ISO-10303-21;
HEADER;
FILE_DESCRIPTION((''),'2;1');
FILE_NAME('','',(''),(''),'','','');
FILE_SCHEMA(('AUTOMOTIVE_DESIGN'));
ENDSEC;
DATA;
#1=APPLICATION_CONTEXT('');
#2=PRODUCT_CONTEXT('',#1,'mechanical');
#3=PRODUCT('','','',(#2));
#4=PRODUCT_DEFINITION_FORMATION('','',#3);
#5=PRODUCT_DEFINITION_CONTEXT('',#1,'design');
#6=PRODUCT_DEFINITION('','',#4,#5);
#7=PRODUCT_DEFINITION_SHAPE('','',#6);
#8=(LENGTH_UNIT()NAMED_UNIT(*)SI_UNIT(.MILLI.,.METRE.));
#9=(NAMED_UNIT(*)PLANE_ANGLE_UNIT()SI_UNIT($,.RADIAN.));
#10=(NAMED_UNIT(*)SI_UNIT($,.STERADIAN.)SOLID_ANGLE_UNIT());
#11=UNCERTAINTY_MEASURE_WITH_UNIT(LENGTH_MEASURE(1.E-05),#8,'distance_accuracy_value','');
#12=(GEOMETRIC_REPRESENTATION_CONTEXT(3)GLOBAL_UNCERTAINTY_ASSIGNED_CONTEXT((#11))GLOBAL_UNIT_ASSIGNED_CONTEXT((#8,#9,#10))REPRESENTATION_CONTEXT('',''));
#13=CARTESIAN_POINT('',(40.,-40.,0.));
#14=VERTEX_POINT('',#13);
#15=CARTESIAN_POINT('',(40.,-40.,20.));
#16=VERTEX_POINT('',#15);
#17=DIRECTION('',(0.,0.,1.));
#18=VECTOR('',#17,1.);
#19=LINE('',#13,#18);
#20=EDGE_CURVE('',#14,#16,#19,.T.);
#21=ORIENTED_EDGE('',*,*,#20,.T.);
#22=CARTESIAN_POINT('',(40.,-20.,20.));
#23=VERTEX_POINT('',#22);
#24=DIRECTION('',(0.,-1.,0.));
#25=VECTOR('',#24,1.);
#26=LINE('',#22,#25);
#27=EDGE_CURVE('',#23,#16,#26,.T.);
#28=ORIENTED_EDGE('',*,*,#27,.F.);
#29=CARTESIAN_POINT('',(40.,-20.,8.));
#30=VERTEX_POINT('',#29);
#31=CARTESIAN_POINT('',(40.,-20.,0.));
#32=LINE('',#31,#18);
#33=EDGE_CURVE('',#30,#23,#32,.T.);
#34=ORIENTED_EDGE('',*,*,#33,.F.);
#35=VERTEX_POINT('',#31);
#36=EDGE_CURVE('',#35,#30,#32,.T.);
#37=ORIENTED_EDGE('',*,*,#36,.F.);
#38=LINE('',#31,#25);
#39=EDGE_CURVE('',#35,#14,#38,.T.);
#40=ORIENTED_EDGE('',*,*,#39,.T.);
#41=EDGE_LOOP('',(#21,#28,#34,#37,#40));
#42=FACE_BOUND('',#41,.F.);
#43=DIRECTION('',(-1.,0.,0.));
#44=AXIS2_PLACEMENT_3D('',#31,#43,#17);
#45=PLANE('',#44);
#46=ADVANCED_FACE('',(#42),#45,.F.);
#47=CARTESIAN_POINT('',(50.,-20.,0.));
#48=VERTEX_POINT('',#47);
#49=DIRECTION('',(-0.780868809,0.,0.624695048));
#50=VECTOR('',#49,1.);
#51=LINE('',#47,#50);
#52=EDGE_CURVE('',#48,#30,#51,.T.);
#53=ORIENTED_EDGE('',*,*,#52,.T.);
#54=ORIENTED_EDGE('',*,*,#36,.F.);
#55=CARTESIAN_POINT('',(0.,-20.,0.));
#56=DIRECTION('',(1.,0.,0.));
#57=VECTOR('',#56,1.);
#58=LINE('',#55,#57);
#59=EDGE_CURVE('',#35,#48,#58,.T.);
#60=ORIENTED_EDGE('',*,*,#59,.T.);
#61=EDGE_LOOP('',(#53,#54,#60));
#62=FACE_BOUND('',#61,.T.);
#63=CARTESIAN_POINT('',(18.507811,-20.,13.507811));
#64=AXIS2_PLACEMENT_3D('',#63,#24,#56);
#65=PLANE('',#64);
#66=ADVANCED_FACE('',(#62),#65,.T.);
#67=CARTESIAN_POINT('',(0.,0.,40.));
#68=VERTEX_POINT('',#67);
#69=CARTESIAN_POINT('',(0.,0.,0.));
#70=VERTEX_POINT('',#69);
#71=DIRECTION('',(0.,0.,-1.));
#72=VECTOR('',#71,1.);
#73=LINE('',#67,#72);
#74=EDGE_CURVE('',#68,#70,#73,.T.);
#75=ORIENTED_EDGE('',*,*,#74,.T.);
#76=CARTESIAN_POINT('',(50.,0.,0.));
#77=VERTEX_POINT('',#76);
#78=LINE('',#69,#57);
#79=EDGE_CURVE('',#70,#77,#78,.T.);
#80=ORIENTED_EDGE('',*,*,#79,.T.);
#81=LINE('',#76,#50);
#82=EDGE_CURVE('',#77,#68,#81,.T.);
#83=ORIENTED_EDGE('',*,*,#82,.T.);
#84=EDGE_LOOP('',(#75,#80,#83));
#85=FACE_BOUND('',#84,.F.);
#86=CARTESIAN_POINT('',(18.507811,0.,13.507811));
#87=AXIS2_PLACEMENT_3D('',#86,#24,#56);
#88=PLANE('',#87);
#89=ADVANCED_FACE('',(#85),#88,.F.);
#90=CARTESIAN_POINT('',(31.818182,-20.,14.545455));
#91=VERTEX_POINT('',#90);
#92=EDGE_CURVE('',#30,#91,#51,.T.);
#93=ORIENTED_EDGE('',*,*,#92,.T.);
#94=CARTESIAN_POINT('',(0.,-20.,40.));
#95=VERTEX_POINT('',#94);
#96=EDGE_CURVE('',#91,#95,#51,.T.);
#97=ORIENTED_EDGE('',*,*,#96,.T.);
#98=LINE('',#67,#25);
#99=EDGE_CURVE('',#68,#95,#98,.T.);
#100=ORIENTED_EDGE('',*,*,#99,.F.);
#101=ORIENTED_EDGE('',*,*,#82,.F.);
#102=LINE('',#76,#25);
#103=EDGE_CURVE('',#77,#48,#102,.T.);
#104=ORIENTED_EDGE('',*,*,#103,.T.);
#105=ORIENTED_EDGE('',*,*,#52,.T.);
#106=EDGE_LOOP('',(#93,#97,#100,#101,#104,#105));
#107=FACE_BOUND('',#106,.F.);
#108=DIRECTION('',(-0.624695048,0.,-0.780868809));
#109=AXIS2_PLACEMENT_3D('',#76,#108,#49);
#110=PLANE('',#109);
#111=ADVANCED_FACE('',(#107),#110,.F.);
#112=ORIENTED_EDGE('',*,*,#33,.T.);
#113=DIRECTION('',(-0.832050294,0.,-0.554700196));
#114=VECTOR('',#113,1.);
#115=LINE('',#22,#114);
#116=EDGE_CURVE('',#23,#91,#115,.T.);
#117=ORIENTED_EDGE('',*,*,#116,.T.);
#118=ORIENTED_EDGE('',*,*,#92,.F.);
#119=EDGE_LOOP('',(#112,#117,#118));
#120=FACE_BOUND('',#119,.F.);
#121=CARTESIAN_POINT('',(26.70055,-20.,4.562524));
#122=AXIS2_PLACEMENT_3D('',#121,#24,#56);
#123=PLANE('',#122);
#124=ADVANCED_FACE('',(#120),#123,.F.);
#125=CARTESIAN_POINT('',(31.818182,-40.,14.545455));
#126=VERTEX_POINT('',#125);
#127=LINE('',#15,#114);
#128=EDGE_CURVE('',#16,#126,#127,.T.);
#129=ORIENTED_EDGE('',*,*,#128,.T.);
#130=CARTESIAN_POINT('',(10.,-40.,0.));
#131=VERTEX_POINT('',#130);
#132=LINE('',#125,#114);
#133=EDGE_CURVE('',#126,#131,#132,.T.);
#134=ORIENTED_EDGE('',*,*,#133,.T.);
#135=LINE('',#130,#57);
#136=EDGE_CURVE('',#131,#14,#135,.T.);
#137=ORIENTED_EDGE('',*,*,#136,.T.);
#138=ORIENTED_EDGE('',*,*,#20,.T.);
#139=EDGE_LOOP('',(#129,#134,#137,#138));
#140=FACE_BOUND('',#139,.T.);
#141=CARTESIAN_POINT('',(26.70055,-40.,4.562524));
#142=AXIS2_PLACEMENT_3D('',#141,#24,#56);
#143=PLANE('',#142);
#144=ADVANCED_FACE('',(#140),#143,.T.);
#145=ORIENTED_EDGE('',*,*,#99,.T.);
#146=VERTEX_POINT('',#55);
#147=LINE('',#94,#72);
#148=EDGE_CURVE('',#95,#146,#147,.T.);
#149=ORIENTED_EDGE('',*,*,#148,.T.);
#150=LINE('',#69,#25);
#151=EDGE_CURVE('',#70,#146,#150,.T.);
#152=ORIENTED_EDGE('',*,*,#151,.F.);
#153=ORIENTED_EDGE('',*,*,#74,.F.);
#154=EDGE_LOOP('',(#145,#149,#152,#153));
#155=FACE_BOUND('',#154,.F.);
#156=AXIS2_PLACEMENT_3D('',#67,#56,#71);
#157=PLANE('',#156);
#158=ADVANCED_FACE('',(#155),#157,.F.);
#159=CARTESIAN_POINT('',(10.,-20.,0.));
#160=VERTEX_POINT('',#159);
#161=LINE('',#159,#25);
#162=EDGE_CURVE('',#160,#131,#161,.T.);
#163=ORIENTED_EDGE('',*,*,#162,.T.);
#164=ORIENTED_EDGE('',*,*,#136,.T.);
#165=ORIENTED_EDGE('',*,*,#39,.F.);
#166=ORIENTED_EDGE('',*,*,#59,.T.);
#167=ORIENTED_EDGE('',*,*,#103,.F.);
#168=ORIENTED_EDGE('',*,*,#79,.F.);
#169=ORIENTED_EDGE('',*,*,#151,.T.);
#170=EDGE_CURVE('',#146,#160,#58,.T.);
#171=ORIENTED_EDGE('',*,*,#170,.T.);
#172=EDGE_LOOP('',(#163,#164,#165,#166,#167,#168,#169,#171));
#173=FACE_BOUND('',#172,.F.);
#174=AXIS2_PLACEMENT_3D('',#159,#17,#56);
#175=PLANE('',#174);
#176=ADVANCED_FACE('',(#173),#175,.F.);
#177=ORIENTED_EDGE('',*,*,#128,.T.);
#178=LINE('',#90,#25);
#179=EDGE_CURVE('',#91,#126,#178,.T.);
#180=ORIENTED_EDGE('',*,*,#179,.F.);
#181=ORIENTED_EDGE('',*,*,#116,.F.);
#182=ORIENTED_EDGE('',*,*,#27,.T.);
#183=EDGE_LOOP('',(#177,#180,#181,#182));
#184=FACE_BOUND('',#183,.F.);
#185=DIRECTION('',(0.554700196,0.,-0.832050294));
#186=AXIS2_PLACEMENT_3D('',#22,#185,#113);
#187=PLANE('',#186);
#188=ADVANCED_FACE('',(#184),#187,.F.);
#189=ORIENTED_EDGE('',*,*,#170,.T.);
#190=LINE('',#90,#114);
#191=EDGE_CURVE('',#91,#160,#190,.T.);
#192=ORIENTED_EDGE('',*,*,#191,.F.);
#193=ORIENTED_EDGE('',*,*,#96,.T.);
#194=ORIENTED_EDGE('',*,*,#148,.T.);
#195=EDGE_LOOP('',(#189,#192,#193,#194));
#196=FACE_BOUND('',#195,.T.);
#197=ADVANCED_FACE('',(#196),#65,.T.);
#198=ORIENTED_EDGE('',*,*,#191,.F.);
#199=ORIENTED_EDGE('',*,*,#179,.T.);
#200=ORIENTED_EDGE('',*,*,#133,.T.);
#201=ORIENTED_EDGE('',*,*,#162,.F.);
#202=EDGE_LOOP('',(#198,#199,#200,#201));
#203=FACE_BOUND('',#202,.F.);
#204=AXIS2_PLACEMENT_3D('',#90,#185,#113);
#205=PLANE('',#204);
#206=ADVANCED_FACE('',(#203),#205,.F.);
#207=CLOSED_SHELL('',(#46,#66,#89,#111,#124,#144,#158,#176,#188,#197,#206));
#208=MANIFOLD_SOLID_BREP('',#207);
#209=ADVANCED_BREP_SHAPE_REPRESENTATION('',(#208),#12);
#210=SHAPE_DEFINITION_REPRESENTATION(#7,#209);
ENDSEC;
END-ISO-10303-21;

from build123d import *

# Parameters (mm, degrees)
F1_DEPTH = 20
F3_DEPTH = 20


with BuildPart() as f1:
    # F0 (on Front) → F1 (new body)
    with BuildSketch(Plane.XZ):
        Polygon((0, 40), (0, 0), (50, 0), align=None)
    extrude(amount=F1_DEPTH)

    # F2 (on face) → F3 (join)
    with BuildSketch(Plane.XZ.offset(20)):
        Polygon((31.8181818182, 14.5454545455), (10, 0), (40, 0), (40, 8), align=None)
        Polygon((40, 20), (31.8181818182, 14.5454545455), (40, 8), align=None)
    extrude(amount=F3_DEPTH)


solid = f1.part
